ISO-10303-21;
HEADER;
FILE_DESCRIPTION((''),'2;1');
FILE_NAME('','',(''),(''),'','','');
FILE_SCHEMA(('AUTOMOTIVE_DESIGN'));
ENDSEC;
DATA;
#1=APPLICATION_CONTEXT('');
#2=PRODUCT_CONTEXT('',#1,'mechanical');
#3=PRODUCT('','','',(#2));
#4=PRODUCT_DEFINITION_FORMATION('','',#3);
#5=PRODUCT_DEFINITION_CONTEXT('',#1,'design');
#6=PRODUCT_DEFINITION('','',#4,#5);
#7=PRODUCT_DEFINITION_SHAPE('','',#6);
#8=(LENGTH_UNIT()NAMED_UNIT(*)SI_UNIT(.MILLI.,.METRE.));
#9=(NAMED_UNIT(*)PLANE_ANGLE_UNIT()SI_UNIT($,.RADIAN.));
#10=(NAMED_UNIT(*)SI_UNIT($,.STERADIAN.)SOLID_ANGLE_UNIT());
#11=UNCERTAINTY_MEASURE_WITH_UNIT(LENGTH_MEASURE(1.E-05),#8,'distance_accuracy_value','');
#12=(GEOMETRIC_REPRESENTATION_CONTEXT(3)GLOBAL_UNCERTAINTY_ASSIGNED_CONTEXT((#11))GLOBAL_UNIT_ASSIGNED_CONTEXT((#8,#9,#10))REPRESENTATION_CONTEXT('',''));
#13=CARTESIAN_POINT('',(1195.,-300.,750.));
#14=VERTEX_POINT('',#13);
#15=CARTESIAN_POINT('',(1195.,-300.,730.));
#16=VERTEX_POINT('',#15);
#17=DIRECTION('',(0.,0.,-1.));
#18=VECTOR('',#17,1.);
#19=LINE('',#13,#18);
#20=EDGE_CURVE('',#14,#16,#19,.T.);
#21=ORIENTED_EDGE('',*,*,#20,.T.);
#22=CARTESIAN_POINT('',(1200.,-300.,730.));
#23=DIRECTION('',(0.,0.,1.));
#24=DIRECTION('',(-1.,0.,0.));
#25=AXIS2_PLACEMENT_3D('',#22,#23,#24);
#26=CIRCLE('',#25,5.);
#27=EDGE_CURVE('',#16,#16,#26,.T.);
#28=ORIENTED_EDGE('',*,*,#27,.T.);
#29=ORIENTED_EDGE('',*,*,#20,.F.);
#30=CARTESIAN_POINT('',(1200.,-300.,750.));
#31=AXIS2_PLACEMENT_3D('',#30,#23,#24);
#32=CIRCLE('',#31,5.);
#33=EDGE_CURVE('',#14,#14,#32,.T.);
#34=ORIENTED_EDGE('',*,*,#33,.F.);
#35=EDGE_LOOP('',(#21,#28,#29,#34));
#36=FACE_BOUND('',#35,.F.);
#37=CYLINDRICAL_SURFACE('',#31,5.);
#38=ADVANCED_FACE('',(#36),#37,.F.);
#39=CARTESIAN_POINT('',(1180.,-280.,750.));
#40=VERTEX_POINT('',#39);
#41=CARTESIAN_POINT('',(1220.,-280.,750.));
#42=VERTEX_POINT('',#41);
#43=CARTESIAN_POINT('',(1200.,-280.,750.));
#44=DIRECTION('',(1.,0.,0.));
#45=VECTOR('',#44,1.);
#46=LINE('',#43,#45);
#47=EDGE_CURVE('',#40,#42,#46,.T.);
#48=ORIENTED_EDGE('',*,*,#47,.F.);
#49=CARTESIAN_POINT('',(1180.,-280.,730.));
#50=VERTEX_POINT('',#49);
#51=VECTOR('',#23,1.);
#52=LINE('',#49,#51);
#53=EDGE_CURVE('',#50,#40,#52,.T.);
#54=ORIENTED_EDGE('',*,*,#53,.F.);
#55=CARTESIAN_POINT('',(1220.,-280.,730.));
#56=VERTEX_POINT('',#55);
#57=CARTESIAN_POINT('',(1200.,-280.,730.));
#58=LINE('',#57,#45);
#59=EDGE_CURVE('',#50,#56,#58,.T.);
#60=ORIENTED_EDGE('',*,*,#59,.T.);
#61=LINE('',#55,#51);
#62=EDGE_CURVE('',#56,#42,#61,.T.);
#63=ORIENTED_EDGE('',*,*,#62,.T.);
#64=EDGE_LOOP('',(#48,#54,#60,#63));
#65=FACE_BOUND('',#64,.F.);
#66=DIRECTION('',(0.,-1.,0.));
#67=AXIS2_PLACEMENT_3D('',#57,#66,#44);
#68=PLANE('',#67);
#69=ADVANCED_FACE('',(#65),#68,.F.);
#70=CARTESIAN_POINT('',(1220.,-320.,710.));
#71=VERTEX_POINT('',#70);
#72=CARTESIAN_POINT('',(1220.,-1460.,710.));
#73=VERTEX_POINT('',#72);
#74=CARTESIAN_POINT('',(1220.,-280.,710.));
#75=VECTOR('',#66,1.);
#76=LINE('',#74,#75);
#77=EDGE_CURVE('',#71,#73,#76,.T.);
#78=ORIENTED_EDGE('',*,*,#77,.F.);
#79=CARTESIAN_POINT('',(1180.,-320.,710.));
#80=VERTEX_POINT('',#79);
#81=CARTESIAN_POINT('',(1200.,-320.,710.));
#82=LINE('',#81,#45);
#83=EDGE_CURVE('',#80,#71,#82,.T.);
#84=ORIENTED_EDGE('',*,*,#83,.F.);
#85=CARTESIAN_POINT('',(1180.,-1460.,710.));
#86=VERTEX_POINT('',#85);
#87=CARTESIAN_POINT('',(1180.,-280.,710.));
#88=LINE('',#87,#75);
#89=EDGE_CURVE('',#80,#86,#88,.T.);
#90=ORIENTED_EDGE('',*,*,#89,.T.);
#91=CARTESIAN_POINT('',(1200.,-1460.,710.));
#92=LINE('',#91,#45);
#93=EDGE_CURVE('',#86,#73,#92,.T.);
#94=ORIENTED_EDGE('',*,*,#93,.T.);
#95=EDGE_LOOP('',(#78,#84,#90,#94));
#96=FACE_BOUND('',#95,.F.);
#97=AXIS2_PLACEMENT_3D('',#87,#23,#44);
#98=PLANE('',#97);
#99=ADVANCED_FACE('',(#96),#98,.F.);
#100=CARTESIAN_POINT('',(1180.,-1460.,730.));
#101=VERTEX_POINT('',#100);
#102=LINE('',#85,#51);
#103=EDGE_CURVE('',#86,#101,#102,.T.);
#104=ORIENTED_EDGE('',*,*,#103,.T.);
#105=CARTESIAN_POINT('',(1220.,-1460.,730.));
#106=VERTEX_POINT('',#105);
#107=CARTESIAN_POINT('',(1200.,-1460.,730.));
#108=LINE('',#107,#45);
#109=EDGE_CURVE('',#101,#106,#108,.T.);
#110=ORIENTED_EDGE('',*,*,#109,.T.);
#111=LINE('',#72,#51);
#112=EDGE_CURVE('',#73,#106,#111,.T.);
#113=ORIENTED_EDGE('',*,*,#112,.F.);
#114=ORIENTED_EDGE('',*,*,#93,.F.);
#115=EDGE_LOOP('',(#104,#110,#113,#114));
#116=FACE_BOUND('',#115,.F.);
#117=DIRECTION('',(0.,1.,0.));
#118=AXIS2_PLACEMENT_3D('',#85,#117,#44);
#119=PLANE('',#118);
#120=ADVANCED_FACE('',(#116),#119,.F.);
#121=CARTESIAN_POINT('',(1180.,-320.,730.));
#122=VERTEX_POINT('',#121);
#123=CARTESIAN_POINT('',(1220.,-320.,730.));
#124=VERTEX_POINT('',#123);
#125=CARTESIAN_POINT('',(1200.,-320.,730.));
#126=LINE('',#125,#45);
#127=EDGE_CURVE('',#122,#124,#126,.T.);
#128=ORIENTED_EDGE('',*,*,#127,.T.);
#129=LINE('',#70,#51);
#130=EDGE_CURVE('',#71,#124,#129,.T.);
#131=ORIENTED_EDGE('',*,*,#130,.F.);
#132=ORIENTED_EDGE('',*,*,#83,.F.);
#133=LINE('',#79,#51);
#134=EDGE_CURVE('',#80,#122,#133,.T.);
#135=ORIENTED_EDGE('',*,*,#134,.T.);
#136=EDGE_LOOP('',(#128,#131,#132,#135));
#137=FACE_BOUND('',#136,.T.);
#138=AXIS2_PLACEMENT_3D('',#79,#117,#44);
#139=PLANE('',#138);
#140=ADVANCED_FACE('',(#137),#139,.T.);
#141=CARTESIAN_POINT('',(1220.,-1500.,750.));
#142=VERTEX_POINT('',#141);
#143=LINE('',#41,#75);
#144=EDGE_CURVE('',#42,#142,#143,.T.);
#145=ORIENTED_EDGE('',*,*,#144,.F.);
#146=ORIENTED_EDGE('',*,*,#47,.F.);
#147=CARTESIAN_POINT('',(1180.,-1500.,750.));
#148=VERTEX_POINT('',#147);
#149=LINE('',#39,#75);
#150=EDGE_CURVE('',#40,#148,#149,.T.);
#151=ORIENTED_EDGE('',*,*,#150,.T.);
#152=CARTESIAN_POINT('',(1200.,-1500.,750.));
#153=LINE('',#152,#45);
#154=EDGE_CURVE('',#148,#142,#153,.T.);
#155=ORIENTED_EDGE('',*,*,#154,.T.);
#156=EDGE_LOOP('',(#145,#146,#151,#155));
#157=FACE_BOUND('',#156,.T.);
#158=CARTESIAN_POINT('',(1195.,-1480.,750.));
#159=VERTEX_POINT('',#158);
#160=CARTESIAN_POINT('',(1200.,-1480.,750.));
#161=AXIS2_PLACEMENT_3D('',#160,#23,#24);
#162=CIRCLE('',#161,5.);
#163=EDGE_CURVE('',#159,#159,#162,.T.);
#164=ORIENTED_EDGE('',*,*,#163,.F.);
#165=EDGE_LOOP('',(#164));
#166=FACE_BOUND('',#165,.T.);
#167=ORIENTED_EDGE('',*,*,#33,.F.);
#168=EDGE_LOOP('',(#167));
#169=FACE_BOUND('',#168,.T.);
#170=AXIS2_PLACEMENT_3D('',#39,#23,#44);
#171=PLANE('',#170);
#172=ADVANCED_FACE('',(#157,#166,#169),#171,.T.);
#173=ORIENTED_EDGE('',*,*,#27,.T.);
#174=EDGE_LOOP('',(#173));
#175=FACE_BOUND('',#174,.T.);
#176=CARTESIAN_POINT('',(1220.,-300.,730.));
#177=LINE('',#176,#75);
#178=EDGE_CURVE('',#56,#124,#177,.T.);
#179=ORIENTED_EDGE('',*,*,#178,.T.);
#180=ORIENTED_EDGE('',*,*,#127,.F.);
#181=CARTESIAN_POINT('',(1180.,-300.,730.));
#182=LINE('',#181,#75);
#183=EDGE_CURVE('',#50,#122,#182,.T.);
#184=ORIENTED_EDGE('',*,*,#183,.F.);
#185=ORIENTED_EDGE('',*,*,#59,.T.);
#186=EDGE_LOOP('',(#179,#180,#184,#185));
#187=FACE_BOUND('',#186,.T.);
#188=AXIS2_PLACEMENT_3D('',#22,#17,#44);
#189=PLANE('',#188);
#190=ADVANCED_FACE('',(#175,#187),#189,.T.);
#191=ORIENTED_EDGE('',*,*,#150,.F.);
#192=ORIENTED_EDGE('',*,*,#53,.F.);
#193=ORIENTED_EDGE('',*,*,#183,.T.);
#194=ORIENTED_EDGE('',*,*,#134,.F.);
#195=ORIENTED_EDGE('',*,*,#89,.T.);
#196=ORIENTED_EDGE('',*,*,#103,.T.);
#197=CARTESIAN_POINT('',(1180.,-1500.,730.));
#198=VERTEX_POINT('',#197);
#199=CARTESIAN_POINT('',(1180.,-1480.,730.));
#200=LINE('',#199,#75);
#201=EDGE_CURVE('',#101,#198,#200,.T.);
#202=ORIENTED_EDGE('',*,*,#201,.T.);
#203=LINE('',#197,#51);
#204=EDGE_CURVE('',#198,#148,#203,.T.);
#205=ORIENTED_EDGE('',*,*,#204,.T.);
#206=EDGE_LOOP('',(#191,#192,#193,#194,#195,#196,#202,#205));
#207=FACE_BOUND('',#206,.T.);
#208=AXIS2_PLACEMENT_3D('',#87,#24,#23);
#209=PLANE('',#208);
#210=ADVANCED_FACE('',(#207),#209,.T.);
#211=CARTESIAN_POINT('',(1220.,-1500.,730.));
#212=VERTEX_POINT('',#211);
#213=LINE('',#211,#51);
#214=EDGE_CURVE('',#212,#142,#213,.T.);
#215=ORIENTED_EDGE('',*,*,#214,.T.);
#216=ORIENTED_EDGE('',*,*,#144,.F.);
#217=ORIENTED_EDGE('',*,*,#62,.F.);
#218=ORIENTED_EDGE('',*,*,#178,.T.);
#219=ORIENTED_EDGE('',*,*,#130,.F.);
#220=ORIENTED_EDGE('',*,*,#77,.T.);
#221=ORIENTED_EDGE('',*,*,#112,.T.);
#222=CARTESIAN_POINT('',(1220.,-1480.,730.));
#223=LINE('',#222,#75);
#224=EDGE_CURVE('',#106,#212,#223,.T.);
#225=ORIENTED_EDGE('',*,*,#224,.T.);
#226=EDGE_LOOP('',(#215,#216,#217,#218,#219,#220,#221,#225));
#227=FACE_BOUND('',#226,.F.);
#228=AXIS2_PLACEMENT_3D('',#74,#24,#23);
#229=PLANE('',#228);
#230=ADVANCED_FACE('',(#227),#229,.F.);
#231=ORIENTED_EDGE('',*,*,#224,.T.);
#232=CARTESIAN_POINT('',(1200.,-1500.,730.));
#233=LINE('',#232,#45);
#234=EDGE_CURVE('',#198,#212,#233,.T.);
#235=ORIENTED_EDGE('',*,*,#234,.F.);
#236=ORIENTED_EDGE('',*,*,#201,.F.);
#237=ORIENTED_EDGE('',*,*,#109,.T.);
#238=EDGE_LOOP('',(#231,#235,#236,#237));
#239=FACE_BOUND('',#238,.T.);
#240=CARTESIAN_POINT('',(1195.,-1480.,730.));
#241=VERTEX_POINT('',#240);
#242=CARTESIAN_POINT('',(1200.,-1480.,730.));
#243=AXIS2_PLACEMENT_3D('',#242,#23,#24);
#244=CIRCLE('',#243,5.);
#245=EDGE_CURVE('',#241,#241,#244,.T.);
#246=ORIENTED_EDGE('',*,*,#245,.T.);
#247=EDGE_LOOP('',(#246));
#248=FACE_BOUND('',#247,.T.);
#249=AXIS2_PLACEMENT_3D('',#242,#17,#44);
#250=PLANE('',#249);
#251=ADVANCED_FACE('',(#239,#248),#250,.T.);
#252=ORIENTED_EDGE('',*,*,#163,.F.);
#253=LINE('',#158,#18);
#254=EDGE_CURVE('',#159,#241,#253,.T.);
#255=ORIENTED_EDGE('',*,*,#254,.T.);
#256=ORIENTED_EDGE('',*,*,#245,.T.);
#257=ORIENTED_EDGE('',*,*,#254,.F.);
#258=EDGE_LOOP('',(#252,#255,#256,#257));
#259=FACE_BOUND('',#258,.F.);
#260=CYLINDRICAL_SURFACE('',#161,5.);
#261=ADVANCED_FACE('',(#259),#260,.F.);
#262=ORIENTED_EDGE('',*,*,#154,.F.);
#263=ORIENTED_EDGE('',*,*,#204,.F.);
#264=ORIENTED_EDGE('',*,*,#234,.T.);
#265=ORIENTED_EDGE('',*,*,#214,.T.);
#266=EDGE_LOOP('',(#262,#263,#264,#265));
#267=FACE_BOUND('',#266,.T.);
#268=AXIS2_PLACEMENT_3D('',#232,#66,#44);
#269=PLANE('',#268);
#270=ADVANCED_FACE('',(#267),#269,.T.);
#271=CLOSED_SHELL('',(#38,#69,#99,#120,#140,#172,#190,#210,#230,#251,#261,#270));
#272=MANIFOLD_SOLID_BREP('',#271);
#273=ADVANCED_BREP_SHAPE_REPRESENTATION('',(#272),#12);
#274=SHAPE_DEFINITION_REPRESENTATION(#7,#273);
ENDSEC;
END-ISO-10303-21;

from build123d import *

# Parameters (mm, degrees)
SKETCH065_W     = 40
SKETCH065_H     = 40
PAD035_DEPTH    = 1220
SKETCH066_W     = 40
SKETCH066_H     = 40
POCKET020_DEPTH = 20
SKETCH067_R     = 5
POCKET021_DEPTH = 40.001


with BuildPart() as part:
    # Sketch065 → Pad035 (new body)
    with BuildSketch(Plane.XZ.offset(280)):
        with Locations((1200, 280)):
            Rectangle(SKETCH065_W, SKETCH065_H)
    extrude(amount=PAD035_DEPTH)

    # Sketch066 (on Face3 of Pad035) → Pocket020 (cut)
    with BuildSketch(Plane(origin=(0, 0, 260), x_dir=(1, 0, 0), z_dir=(0, 0, -1))):
        with Locations((1200, 1480)):
            Rectangle(SKETCH066_W, SKETCH066_H)
        with Locations((1200, 300)):
            Rectangle(SKETCH066_W, SKETCH066_H)
    extrude(amount=-POCKET020_DEPTH, mode=Mode.SUBTRACT)

    # Sketch067 (on Face1 of Pocket020) → Pocket021 (cut, through all)
    with BuildSketch(Plane(origin=(0, 0, 300), x_dir=(-1, 0, 0), z_dir=(0, 0, 1))):
        with Locations((-1200, 1480)):
            Circle(SKETCH067_R)
        with Locations((-1200, 300)):
            Circle(SKETCH067_R)
    extrude(amount=-POCKET021_DEPTH, mode=Mode.SUBTRACT)


with BuildPart() as part_1:
    # Clone015 placement: moved
    add(part.part.moved(Location((0, 0, 450))))


solid = part_1.part
